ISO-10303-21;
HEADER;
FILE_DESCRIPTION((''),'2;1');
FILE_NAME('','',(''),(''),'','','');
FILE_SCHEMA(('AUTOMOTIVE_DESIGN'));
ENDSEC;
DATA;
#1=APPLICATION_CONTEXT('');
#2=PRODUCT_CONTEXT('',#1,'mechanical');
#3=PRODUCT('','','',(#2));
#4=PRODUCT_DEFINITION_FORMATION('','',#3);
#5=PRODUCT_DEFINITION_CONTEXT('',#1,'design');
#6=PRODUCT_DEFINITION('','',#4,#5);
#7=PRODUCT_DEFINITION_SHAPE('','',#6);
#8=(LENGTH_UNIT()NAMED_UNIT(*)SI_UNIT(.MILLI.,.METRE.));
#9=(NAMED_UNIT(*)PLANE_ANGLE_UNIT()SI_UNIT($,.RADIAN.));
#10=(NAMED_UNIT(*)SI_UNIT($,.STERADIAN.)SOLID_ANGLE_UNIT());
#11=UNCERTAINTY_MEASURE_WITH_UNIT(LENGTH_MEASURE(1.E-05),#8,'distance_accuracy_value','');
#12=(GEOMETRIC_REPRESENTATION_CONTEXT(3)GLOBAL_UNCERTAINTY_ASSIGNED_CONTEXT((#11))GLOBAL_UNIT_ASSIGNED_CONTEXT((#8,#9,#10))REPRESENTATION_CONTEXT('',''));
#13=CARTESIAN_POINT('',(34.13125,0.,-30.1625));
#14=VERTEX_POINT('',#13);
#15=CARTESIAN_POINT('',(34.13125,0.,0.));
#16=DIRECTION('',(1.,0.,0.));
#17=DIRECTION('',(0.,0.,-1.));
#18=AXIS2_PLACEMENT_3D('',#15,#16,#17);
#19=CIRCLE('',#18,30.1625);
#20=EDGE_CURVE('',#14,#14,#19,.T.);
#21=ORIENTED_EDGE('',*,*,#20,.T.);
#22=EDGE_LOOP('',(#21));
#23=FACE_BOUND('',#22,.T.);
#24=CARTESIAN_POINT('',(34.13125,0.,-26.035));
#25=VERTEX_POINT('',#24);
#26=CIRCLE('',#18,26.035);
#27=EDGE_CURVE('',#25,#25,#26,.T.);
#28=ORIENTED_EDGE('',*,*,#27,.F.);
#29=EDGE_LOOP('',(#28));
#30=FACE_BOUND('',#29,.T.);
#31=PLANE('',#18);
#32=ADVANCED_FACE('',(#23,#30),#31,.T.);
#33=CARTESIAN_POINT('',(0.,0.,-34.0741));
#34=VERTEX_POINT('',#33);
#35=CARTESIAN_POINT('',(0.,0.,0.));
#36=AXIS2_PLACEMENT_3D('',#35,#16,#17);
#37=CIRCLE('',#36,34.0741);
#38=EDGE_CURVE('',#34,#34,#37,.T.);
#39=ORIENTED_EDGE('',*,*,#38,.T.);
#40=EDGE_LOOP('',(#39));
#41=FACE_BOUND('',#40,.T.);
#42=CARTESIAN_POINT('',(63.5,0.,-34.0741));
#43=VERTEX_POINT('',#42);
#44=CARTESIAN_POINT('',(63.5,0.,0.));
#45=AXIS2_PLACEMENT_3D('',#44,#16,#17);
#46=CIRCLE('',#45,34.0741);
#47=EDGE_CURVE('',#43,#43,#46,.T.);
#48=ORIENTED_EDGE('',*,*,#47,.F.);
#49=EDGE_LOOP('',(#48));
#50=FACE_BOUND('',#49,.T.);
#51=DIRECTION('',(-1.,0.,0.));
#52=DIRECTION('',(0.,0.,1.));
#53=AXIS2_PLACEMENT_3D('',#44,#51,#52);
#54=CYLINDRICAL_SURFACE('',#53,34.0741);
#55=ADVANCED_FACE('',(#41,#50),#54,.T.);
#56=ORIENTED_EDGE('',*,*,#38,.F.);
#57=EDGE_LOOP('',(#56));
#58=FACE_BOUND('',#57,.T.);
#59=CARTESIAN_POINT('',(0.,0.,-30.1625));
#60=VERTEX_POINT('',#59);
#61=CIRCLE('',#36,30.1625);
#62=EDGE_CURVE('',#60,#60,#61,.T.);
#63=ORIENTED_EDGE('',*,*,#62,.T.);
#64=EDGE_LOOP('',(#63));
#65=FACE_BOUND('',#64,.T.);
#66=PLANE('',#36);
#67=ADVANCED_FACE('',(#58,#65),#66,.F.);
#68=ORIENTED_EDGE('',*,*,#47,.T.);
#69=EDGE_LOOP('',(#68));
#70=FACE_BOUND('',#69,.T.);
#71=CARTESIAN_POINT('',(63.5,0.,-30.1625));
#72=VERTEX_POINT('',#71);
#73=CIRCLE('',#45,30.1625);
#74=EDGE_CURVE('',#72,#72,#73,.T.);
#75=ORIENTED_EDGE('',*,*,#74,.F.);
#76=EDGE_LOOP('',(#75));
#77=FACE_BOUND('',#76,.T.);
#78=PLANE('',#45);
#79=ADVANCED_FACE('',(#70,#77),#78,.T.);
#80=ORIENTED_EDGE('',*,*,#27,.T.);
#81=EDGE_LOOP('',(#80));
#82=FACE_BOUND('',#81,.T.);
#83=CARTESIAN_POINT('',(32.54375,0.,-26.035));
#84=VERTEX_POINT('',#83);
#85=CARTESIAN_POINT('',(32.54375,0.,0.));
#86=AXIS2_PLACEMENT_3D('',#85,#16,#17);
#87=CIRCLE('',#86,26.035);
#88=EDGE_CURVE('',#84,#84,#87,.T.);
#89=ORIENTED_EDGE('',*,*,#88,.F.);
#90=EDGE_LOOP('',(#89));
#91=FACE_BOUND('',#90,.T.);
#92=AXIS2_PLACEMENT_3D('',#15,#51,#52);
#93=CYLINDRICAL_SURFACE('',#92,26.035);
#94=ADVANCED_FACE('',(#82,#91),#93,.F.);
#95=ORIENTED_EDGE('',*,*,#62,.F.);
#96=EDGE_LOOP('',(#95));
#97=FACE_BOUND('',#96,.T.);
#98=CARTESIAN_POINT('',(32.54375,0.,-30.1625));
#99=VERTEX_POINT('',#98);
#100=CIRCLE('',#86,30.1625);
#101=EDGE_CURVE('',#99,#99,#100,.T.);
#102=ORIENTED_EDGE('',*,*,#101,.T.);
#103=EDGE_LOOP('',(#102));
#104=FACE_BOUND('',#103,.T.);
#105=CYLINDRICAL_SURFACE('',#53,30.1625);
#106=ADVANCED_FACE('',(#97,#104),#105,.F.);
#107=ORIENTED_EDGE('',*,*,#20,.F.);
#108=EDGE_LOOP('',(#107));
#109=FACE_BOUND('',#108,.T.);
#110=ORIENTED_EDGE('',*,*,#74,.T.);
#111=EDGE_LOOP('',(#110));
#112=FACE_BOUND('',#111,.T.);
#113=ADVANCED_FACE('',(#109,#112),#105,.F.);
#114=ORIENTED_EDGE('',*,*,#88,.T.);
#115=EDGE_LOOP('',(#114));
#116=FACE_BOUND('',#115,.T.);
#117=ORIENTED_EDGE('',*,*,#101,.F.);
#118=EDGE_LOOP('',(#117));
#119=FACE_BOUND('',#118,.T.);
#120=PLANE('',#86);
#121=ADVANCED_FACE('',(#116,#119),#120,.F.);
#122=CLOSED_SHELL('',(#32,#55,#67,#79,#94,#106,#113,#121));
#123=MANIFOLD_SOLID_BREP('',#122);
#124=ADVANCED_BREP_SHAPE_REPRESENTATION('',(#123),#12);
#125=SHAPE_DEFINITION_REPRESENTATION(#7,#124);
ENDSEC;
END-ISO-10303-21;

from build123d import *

# Parameters (mm, degrees)
SKETCH1_R           = 34.0741
SKETCH1_R_2         = 30.1625
BOSS_EXTRUDE1_DEPTH = 63.5
BOSS_EXTRUDE2_START = -30.95625
SKETCH2_R           = 30.1625
SKETCH2_R_2         = 26.035
BOSS_EXTRUDE2_DEPTH = 1.5875


with BuildPart() as part:
    # Sketch1 → Boss-Extrude1 (new body)
    with BuildSketch(Plane(origin=(0, 0, 0), x_dir=(0, 0, -1), z_dir=(1, 0, 0))):
        Circle(SKETCH1_R)
        Circle(SKETCH1_R_2, mode=Mode.SUBTRACT)
    extrude(amount=BOSS_EXTRUDE1_DEPTH)

    # Sketch2 → Boss-Extrude2 (add)
    with BuildSketch(Plane(origin=(63.5, 0, 0), x_dir=(0, 0, -1), z_dir=(1, 0, 0)).offset(BOSS_EXTRUDE2_START)):
        Circle(SKETCH2_R)
        Circle(SKETCH2_R_2, mode=Mode.SUBTRACT)
    extrude(amount=BOSS_EXTRUDE2_DEPTH)


solid = part.part
